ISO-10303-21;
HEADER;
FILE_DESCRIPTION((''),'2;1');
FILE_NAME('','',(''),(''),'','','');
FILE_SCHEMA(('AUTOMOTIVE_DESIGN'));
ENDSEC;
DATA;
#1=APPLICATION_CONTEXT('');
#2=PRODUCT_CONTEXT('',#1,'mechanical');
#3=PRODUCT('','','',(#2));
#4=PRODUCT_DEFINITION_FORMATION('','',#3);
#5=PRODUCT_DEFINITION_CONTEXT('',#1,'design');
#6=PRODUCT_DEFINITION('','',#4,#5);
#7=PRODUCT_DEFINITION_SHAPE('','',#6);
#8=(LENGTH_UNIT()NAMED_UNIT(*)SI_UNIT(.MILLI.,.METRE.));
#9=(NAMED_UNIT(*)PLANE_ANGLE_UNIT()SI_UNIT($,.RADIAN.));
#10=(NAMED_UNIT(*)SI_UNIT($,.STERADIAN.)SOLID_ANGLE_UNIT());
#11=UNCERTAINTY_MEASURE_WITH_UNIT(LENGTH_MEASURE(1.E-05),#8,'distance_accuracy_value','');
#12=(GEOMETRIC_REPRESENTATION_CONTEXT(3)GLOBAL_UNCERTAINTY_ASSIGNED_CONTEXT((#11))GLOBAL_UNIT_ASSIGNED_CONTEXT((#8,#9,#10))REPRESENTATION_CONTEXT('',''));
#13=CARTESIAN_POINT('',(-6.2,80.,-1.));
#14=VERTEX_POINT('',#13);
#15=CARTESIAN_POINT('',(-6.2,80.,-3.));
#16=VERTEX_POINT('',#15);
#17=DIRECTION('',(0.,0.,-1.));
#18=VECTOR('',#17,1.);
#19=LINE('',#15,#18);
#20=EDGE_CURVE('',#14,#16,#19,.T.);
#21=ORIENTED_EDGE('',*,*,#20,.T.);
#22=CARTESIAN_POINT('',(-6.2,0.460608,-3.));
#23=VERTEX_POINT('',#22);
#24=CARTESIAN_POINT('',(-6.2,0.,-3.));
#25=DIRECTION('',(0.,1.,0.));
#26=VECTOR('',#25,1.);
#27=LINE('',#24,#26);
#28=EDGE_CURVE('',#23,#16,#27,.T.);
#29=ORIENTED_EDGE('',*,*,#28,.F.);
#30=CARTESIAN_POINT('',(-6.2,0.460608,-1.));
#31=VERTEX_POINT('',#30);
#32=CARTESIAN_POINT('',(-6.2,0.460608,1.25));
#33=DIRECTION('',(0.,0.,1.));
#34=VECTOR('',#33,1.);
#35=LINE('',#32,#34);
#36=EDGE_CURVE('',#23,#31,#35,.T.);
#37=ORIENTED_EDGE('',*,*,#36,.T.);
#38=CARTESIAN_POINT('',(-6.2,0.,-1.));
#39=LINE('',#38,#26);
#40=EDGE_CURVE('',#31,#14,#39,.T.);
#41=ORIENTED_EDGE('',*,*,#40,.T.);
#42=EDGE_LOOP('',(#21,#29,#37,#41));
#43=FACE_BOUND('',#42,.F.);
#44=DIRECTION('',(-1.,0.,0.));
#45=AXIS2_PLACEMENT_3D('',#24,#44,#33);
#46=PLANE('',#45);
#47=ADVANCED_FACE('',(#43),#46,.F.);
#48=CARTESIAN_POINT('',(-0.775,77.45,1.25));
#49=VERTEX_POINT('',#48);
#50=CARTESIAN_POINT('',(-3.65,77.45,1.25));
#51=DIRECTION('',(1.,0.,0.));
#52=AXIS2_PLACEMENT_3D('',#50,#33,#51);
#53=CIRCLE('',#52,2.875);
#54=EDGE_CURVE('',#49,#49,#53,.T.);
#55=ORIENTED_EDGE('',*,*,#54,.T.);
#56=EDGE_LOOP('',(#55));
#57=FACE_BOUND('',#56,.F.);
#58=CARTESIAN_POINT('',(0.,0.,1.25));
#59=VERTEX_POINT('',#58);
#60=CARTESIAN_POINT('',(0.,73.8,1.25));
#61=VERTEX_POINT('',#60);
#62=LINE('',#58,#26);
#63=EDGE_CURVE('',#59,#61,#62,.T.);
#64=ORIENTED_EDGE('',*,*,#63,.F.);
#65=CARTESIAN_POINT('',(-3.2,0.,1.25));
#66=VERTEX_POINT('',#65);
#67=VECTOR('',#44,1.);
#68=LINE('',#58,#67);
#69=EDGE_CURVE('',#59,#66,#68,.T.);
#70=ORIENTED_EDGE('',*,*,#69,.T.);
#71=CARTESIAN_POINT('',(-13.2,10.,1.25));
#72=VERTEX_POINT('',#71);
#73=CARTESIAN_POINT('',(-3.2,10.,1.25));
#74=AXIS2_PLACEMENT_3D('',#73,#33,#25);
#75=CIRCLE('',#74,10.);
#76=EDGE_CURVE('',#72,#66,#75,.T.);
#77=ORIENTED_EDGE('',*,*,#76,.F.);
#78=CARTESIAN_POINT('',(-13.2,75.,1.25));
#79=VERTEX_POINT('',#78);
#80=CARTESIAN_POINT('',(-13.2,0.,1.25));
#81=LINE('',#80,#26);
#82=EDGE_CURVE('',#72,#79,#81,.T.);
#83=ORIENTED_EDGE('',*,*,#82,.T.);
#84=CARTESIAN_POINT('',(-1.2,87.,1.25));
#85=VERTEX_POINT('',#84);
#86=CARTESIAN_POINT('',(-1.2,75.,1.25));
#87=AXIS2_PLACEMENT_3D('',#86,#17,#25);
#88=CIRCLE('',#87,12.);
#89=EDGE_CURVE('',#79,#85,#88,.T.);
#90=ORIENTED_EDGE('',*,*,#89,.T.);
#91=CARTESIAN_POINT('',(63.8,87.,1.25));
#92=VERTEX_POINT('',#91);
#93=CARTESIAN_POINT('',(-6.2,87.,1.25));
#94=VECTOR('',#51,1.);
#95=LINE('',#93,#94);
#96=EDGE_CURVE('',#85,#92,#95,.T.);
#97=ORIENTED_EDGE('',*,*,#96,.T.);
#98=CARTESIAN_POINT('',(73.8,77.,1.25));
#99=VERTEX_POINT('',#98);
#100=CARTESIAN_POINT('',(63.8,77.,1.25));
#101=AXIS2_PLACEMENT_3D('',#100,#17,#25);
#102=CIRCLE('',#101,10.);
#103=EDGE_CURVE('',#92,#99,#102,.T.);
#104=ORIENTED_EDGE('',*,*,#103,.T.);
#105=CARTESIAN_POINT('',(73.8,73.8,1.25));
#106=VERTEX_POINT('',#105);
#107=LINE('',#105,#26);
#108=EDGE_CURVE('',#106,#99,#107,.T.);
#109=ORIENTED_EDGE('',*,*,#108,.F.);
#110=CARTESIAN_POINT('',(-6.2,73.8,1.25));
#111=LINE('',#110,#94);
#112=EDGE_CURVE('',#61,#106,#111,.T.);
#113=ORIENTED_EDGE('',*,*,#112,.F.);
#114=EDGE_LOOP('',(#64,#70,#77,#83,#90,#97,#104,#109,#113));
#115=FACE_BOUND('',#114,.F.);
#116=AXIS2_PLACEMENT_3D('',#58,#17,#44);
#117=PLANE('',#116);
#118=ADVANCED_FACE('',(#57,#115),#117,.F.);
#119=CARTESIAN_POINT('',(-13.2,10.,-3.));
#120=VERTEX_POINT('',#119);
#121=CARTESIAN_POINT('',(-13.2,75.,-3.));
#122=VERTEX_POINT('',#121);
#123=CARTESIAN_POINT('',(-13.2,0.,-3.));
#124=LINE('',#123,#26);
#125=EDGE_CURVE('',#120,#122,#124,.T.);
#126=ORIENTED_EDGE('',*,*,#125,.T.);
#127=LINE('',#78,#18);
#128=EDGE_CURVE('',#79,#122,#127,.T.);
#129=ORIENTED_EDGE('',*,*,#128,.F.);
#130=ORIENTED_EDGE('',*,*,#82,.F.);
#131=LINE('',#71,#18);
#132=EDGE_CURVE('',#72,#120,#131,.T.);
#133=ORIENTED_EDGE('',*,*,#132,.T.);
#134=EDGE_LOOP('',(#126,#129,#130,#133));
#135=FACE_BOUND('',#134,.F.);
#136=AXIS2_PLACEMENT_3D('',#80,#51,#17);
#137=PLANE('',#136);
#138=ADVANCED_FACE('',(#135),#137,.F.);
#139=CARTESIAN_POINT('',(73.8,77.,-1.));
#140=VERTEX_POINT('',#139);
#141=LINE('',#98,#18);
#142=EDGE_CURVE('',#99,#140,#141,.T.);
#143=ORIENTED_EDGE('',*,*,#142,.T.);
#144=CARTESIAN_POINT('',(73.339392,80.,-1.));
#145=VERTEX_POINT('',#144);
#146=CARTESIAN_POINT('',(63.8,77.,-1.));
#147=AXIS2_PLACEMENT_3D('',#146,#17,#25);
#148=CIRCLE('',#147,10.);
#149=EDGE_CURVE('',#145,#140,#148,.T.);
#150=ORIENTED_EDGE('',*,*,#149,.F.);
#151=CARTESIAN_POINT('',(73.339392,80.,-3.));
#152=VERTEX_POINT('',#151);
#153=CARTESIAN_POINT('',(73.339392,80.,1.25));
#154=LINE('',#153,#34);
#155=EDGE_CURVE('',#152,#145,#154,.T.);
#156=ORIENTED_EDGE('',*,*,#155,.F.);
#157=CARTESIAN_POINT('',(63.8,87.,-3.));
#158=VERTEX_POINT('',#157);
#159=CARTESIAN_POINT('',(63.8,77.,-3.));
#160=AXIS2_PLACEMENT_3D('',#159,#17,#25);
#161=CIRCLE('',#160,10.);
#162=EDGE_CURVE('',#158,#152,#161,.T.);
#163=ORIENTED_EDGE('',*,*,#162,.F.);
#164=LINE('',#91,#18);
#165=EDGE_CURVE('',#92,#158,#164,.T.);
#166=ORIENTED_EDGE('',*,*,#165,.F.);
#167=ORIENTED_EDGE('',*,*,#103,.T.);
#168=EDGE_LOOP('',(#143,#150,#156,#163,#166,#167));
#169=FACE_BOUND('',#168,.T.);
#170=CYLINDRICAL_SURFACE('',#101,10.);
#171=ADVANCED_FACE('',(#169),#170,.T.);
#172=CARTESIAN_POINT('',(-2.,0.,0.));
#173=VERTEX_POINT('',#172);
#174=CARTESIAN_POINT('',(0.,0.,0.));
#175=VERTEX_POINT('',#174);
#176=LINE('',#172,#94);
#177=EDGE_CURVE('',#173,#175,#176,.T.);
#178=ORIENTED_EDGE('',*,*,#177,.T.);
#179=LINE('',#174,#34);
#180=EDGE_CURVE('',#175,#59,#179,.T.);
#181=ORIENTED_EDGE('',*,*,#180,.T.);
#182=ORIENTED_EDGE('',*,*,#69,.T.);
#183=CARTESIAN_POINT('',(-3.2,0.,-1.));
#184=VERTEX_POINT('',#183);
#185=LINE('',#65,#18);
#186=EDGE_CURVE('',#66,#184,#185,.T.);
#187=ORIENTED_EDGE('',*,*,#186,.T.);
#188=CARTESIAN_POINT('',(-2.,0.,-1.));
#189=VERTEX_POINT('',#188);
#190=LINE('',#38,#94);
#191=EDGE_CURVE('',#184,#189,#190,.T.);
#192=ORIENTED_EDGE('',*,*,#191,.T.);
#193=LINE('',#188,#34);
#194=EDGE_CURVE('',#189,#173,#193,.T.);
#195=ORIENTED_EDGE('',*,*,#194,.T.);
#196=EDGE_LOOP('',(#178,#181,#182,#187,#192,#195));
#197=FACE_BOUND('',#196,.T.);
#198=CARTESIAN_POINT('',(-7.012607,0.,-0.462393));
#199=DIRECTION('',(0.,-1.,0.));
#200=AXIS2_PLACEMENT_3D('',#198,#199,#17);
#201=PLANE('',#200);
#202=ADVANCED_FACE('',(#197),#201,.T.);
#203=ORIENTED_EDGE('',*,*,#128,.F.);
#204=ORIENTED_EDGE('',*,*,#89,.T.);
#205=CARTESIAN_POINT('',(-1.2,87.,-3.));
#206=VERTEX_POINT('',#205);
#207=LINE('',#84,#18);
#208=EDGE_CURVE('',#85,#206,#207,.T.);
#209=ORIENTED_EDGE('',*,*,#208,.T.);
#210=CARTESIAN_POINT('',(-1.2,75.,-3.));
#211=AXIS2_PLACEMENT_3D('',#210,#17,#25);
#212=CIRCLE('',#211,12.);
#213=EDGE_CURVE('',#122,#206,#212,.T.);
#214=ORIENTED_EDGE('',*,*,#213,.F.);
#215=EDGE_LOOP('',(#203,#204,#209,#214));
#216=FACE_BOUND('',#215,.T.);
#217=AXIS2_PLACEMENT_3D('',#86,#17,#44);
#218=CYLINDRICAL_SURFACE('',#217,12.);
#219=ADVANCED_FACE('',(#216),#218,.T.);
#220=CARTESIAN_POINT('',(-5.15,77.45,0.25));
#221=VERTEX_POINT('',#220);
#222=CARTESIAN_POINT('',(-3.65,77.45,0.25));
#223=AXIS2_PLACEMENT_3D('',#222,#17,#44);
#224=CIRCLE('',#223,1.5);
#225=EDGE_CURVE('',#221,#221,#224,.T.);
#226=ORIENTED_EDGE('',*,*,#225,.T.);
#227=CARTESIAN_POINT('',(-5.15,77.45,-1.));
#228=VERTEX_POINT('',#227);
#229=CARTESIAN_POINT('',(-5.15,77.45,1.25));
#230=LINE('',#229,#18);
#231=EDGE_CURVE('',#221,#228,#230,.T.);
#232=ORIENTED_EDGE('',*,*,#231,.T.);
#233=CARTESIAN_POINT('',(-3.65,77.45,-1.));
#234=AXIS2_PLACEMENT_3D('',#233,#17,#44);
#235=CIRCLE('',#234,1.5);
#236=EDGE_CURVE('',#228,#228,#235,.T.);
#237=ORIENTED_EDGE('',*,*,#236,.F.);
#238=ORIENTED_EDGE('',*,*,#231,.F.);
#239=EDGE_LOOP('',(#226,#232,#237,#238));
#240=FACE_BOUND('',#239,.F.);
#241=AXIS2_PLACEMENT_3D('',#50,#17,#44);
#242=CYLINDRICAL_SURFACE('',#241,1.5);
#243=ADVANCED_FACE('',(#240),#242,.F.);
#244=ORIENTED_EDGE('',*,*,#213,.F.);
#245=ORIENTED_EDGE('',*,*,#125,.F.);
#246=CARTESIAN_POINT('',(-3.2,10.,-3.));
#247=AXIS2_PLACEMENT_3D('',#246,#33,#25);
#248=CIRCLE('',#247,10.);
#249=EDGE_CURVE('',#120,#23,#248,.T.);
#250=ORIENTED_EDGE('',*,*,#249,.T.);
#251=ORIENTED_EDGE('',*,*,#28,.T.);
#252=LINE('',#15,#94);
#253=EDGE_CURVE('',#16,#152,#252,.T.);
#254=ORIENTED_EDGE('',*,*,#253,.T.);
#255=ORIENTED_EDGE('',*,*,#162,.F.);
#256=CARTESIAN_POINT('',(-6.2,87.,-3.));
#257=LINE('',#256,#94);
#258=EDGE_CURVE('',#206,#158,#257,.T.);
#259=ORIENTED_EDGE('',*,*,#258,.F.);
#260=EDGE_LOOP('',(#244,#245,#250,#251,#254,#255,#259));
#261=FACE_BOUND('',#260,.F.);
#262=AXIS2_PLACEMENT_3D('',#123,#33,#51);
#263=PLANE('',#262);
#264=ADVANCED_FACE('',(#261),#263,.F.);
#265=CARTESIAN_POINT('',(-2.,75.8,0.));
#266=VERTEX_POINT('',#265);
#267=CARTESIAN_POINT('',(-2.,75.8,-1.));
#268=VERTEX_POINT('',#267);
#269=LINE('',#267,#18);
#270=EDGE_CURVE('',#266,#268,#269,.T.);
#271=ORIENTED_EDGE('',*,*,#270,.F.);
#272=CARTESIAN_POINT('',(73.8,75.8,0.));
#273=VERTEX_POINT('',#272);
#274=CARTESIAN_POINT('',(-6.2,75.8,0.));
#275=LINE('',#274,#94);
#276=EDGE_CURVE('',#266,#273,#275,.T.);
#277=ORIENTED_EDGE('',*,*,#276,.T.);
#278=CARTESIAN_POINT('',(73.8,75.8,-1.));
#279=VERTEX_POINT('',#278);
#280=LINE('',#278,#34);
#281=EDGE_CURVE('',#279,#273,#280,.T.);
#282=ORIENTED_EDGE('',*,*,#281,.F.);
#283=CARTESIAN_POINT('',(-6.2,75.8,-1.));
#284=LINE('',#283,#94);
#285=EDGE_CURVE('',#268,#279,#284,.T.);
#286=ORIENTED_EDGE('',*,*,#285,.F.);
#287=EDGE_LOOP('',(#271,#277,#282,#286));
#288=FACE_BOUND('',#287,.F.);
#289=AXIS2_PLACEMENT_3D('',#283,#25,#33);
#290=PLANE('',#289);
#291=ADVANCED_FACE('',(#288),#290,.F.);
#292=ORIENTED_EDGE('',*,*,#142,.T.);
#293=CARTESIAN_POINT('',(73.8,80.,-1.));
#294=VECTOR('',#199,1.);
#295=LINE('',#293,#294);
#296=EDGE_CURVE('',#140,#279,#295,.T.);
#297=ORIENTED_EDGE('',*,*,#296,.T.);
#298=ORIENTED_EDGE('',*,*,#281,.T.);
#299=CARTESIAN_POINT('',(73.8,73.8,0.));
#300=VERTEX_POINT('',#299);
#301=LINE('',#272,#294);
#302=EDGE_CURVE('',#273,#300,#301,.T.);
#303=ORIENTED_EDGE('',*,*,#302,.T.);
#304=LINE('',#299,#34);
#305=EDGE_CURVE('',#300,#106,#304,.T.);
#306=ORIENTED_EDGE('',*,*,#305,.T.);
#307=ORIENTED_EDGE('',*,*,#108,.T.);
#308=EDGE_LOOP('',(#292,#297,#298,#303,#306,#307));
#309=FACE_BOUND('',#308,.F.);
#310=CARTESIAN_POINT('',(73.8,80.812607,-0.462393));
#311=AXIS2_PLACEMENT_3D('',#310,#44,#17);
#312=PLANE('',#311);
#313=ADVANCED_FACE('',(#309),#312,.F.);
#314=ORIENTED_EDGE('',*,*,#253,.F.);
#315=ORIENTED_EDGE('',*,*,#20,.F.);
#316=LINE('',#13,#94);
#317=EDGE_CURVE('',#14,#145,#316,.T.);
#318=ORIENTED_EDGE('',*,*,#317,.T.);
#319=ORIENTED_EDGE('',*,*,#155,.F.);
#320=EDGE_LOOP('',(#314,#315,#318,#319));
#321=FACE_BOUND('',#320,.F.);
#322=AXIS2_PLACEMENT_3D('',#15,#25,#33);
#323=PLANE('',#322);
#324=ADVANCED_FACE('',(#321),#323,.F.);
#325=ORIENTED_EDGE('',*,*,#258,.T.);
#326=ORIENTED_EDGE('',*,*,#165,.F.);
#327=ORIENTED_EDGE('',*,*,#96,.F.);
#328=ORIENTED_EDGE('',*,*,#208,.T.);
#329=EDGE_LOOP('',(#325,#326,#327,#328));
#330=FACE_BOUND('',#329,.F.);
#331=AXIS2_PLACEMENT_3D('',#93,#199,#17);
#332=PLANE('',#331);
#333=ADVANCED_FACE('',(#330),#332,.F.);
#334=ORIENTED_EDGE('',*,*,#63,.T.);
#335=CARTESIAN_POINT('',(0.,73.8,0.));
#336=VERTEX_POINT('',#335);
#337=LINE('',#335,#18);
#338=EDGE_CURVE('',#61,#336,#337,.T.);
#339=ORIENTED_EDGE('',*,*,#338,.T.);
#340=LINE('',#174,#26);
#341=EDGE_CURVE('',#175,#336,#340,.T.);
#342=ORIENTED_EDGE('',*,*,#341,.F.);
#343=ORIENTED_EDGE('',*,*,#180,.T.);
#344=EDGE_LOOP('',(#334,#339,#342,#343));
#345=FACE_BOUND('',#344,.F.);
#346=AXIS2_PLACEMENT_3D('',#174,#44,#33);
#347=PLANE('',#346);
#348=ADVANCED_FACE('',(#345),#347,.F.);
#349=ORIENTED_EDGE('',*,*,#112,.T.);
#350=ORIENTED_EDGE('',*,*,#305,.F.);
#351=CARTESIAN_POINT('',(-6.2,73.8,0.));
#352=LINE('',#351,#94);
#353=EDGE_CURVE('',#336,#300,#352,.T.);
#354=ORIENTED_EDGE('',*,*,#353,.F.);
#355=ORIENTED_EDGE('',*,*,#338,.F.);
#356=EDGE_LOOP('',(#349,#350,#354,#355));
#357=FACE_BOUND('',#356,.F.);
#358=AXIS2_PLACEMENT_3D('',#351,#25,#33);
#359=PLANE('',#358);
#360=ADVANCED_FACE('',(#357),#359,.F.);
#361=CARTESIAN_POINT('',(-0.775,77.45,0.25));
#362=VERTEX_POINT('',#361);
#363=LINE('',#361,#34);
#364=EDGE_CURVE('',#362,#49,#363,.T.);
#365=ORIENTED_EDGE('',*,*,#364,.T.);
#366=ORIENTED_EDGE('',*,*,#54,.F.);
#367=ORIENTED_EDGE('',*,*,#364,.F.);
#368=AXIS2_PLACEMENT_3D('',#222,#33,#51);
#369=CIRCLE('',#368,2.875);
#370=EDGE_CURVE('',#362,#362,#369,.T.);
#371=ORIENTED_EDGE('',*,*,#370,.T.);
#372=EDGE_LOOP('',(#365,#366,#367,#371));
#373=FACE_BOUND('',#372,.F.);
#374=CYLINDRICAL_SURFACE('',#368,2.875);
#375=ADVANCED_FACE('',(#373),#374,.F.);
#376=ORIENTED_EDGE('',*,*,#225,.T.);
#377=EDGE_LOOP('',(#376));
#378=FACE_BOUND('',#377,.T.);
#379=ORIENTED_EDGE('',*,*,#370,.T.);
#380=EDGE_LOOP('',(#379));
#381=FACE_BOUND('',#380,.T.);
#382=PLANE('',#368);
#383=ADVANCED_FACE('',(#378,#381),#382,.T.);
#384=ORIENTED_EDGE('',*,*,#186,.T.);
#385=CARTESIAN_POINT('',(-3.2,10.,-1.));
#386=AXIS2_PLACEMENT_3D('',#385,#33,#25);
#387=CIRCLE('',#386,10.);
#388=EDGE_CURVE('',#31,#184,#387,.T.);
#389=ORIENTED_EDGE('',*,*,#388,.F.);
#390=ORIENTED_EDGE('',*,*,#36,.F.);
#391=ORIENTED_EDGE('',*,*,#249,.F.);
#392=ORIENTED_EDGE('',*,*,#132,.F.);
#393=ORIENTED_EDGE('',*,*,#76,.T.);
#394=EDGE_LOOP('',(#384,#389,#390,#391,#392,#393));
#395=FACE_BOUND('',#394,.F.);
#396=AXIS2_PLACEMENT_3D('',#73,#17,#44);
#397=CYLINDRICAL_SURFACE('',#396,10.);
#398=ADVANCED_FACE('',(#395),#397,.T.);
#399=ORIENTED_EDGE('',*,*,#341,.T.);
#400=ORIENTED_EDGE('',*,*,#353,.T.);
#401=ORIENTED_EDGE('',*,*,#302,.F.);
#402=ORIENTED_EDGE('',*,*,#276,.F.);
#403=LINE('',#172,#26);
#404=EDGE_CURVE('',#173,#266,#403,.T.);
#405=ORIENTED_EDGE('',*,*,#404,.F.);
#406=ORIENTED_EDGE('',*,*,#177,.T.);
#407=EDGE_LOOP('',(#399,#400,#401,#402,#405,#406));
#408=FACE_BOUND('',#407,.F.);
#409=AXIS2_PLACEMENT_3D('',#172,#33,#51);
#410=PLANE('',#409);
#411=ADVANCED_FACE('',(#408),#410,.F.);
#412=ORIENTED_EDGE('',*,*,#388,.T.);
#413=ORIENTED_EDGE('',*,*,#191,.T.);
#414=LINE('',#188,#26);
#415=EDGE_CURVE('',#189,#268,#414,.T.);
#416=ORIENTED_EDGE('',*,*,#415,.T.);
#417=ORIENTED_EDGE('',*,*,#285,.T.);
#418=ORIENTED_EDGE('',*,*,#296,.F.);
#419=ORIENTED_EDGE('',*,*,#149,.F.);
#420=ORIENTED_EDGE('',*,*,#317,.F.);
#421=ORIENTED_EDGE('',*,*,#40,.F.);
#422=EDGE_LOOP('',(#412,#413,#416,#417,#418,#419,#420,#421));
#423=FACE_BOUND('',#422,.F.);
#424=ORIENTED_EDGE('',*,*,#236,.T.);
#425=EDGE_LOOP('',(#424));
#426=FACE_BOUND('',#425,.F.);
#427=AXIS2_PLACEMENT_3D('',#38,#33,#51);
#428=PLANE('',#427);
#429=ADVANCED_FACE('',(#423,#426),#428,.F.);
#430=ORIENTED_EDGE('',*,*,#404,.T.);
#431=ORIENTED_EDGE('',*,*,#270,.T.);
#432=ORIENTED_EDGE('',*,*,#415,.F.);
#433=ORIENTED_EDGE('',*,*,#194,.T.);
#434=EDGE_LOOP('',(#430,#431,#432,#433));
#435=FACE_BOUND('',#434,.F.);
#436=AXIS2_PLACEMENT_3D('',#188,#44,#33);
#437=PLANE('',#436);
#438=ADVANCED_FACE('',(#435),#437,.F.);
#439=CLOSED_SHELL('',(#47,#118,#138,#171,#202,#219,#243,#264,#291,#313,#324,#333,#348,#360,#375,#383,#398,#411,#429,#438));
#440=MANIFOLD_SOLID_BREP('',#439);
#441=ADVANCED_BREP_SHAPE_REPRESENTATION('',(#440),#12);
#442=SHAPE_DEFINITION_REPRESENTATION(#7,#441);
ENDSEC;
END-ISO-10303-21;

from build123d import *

# Parameters (mm, degrees)
F3_R           = 10
F4_R           = 12
F6_D           = 3
F6_CBORE_D     = 5.75
F6_CBORE_DEPTH = 1


with BuildPart() as f2:
    # F2: sweep along a path in F1
    with BuildLine(Plane.XY) as f2_path:
        Line((-6.2, 0), (-6.2, 80))
        Line((-6.2, 80), (73.8, 80))
    # F0 (on Front) → F2 (sweep)
    with BuildSketch(Plane.XZ):
        Polygon((-6.2, -3), (-6.2, -1), (-2, -1), (-2, 0), (0, 0), (0, 1.25), (-13.2, 1.25), (-13.2, -3), align=None)
    sweep(path=f2_path.line, transition=Transition.RIGHT)

    # F3
    f3_edges = [f2.edges().sort_by_distance(p)[0] for p in [
        (-13.2, 0, -0.875),
        (73.8, 87, -0.875),
    ]]
    fillet(f3_edges, radius=F3_R)

    # F4
    f4_edges = [f2.edges().sort_by_distance(p)[0] for p in [
        (-13.2, 87, -0.875),
    ]]
    fillet(f4_edges, radius=F4_R)

    # F6 (through all)
    with Locations(Plane.XY.offset(1.25)):
        with Locations((-3.65, 77.45)):
            CounterBoreHole(F6_D / 2, F6_CBORE_D / 2, F6_CBORE_DEPTH)


solid = f2.part
